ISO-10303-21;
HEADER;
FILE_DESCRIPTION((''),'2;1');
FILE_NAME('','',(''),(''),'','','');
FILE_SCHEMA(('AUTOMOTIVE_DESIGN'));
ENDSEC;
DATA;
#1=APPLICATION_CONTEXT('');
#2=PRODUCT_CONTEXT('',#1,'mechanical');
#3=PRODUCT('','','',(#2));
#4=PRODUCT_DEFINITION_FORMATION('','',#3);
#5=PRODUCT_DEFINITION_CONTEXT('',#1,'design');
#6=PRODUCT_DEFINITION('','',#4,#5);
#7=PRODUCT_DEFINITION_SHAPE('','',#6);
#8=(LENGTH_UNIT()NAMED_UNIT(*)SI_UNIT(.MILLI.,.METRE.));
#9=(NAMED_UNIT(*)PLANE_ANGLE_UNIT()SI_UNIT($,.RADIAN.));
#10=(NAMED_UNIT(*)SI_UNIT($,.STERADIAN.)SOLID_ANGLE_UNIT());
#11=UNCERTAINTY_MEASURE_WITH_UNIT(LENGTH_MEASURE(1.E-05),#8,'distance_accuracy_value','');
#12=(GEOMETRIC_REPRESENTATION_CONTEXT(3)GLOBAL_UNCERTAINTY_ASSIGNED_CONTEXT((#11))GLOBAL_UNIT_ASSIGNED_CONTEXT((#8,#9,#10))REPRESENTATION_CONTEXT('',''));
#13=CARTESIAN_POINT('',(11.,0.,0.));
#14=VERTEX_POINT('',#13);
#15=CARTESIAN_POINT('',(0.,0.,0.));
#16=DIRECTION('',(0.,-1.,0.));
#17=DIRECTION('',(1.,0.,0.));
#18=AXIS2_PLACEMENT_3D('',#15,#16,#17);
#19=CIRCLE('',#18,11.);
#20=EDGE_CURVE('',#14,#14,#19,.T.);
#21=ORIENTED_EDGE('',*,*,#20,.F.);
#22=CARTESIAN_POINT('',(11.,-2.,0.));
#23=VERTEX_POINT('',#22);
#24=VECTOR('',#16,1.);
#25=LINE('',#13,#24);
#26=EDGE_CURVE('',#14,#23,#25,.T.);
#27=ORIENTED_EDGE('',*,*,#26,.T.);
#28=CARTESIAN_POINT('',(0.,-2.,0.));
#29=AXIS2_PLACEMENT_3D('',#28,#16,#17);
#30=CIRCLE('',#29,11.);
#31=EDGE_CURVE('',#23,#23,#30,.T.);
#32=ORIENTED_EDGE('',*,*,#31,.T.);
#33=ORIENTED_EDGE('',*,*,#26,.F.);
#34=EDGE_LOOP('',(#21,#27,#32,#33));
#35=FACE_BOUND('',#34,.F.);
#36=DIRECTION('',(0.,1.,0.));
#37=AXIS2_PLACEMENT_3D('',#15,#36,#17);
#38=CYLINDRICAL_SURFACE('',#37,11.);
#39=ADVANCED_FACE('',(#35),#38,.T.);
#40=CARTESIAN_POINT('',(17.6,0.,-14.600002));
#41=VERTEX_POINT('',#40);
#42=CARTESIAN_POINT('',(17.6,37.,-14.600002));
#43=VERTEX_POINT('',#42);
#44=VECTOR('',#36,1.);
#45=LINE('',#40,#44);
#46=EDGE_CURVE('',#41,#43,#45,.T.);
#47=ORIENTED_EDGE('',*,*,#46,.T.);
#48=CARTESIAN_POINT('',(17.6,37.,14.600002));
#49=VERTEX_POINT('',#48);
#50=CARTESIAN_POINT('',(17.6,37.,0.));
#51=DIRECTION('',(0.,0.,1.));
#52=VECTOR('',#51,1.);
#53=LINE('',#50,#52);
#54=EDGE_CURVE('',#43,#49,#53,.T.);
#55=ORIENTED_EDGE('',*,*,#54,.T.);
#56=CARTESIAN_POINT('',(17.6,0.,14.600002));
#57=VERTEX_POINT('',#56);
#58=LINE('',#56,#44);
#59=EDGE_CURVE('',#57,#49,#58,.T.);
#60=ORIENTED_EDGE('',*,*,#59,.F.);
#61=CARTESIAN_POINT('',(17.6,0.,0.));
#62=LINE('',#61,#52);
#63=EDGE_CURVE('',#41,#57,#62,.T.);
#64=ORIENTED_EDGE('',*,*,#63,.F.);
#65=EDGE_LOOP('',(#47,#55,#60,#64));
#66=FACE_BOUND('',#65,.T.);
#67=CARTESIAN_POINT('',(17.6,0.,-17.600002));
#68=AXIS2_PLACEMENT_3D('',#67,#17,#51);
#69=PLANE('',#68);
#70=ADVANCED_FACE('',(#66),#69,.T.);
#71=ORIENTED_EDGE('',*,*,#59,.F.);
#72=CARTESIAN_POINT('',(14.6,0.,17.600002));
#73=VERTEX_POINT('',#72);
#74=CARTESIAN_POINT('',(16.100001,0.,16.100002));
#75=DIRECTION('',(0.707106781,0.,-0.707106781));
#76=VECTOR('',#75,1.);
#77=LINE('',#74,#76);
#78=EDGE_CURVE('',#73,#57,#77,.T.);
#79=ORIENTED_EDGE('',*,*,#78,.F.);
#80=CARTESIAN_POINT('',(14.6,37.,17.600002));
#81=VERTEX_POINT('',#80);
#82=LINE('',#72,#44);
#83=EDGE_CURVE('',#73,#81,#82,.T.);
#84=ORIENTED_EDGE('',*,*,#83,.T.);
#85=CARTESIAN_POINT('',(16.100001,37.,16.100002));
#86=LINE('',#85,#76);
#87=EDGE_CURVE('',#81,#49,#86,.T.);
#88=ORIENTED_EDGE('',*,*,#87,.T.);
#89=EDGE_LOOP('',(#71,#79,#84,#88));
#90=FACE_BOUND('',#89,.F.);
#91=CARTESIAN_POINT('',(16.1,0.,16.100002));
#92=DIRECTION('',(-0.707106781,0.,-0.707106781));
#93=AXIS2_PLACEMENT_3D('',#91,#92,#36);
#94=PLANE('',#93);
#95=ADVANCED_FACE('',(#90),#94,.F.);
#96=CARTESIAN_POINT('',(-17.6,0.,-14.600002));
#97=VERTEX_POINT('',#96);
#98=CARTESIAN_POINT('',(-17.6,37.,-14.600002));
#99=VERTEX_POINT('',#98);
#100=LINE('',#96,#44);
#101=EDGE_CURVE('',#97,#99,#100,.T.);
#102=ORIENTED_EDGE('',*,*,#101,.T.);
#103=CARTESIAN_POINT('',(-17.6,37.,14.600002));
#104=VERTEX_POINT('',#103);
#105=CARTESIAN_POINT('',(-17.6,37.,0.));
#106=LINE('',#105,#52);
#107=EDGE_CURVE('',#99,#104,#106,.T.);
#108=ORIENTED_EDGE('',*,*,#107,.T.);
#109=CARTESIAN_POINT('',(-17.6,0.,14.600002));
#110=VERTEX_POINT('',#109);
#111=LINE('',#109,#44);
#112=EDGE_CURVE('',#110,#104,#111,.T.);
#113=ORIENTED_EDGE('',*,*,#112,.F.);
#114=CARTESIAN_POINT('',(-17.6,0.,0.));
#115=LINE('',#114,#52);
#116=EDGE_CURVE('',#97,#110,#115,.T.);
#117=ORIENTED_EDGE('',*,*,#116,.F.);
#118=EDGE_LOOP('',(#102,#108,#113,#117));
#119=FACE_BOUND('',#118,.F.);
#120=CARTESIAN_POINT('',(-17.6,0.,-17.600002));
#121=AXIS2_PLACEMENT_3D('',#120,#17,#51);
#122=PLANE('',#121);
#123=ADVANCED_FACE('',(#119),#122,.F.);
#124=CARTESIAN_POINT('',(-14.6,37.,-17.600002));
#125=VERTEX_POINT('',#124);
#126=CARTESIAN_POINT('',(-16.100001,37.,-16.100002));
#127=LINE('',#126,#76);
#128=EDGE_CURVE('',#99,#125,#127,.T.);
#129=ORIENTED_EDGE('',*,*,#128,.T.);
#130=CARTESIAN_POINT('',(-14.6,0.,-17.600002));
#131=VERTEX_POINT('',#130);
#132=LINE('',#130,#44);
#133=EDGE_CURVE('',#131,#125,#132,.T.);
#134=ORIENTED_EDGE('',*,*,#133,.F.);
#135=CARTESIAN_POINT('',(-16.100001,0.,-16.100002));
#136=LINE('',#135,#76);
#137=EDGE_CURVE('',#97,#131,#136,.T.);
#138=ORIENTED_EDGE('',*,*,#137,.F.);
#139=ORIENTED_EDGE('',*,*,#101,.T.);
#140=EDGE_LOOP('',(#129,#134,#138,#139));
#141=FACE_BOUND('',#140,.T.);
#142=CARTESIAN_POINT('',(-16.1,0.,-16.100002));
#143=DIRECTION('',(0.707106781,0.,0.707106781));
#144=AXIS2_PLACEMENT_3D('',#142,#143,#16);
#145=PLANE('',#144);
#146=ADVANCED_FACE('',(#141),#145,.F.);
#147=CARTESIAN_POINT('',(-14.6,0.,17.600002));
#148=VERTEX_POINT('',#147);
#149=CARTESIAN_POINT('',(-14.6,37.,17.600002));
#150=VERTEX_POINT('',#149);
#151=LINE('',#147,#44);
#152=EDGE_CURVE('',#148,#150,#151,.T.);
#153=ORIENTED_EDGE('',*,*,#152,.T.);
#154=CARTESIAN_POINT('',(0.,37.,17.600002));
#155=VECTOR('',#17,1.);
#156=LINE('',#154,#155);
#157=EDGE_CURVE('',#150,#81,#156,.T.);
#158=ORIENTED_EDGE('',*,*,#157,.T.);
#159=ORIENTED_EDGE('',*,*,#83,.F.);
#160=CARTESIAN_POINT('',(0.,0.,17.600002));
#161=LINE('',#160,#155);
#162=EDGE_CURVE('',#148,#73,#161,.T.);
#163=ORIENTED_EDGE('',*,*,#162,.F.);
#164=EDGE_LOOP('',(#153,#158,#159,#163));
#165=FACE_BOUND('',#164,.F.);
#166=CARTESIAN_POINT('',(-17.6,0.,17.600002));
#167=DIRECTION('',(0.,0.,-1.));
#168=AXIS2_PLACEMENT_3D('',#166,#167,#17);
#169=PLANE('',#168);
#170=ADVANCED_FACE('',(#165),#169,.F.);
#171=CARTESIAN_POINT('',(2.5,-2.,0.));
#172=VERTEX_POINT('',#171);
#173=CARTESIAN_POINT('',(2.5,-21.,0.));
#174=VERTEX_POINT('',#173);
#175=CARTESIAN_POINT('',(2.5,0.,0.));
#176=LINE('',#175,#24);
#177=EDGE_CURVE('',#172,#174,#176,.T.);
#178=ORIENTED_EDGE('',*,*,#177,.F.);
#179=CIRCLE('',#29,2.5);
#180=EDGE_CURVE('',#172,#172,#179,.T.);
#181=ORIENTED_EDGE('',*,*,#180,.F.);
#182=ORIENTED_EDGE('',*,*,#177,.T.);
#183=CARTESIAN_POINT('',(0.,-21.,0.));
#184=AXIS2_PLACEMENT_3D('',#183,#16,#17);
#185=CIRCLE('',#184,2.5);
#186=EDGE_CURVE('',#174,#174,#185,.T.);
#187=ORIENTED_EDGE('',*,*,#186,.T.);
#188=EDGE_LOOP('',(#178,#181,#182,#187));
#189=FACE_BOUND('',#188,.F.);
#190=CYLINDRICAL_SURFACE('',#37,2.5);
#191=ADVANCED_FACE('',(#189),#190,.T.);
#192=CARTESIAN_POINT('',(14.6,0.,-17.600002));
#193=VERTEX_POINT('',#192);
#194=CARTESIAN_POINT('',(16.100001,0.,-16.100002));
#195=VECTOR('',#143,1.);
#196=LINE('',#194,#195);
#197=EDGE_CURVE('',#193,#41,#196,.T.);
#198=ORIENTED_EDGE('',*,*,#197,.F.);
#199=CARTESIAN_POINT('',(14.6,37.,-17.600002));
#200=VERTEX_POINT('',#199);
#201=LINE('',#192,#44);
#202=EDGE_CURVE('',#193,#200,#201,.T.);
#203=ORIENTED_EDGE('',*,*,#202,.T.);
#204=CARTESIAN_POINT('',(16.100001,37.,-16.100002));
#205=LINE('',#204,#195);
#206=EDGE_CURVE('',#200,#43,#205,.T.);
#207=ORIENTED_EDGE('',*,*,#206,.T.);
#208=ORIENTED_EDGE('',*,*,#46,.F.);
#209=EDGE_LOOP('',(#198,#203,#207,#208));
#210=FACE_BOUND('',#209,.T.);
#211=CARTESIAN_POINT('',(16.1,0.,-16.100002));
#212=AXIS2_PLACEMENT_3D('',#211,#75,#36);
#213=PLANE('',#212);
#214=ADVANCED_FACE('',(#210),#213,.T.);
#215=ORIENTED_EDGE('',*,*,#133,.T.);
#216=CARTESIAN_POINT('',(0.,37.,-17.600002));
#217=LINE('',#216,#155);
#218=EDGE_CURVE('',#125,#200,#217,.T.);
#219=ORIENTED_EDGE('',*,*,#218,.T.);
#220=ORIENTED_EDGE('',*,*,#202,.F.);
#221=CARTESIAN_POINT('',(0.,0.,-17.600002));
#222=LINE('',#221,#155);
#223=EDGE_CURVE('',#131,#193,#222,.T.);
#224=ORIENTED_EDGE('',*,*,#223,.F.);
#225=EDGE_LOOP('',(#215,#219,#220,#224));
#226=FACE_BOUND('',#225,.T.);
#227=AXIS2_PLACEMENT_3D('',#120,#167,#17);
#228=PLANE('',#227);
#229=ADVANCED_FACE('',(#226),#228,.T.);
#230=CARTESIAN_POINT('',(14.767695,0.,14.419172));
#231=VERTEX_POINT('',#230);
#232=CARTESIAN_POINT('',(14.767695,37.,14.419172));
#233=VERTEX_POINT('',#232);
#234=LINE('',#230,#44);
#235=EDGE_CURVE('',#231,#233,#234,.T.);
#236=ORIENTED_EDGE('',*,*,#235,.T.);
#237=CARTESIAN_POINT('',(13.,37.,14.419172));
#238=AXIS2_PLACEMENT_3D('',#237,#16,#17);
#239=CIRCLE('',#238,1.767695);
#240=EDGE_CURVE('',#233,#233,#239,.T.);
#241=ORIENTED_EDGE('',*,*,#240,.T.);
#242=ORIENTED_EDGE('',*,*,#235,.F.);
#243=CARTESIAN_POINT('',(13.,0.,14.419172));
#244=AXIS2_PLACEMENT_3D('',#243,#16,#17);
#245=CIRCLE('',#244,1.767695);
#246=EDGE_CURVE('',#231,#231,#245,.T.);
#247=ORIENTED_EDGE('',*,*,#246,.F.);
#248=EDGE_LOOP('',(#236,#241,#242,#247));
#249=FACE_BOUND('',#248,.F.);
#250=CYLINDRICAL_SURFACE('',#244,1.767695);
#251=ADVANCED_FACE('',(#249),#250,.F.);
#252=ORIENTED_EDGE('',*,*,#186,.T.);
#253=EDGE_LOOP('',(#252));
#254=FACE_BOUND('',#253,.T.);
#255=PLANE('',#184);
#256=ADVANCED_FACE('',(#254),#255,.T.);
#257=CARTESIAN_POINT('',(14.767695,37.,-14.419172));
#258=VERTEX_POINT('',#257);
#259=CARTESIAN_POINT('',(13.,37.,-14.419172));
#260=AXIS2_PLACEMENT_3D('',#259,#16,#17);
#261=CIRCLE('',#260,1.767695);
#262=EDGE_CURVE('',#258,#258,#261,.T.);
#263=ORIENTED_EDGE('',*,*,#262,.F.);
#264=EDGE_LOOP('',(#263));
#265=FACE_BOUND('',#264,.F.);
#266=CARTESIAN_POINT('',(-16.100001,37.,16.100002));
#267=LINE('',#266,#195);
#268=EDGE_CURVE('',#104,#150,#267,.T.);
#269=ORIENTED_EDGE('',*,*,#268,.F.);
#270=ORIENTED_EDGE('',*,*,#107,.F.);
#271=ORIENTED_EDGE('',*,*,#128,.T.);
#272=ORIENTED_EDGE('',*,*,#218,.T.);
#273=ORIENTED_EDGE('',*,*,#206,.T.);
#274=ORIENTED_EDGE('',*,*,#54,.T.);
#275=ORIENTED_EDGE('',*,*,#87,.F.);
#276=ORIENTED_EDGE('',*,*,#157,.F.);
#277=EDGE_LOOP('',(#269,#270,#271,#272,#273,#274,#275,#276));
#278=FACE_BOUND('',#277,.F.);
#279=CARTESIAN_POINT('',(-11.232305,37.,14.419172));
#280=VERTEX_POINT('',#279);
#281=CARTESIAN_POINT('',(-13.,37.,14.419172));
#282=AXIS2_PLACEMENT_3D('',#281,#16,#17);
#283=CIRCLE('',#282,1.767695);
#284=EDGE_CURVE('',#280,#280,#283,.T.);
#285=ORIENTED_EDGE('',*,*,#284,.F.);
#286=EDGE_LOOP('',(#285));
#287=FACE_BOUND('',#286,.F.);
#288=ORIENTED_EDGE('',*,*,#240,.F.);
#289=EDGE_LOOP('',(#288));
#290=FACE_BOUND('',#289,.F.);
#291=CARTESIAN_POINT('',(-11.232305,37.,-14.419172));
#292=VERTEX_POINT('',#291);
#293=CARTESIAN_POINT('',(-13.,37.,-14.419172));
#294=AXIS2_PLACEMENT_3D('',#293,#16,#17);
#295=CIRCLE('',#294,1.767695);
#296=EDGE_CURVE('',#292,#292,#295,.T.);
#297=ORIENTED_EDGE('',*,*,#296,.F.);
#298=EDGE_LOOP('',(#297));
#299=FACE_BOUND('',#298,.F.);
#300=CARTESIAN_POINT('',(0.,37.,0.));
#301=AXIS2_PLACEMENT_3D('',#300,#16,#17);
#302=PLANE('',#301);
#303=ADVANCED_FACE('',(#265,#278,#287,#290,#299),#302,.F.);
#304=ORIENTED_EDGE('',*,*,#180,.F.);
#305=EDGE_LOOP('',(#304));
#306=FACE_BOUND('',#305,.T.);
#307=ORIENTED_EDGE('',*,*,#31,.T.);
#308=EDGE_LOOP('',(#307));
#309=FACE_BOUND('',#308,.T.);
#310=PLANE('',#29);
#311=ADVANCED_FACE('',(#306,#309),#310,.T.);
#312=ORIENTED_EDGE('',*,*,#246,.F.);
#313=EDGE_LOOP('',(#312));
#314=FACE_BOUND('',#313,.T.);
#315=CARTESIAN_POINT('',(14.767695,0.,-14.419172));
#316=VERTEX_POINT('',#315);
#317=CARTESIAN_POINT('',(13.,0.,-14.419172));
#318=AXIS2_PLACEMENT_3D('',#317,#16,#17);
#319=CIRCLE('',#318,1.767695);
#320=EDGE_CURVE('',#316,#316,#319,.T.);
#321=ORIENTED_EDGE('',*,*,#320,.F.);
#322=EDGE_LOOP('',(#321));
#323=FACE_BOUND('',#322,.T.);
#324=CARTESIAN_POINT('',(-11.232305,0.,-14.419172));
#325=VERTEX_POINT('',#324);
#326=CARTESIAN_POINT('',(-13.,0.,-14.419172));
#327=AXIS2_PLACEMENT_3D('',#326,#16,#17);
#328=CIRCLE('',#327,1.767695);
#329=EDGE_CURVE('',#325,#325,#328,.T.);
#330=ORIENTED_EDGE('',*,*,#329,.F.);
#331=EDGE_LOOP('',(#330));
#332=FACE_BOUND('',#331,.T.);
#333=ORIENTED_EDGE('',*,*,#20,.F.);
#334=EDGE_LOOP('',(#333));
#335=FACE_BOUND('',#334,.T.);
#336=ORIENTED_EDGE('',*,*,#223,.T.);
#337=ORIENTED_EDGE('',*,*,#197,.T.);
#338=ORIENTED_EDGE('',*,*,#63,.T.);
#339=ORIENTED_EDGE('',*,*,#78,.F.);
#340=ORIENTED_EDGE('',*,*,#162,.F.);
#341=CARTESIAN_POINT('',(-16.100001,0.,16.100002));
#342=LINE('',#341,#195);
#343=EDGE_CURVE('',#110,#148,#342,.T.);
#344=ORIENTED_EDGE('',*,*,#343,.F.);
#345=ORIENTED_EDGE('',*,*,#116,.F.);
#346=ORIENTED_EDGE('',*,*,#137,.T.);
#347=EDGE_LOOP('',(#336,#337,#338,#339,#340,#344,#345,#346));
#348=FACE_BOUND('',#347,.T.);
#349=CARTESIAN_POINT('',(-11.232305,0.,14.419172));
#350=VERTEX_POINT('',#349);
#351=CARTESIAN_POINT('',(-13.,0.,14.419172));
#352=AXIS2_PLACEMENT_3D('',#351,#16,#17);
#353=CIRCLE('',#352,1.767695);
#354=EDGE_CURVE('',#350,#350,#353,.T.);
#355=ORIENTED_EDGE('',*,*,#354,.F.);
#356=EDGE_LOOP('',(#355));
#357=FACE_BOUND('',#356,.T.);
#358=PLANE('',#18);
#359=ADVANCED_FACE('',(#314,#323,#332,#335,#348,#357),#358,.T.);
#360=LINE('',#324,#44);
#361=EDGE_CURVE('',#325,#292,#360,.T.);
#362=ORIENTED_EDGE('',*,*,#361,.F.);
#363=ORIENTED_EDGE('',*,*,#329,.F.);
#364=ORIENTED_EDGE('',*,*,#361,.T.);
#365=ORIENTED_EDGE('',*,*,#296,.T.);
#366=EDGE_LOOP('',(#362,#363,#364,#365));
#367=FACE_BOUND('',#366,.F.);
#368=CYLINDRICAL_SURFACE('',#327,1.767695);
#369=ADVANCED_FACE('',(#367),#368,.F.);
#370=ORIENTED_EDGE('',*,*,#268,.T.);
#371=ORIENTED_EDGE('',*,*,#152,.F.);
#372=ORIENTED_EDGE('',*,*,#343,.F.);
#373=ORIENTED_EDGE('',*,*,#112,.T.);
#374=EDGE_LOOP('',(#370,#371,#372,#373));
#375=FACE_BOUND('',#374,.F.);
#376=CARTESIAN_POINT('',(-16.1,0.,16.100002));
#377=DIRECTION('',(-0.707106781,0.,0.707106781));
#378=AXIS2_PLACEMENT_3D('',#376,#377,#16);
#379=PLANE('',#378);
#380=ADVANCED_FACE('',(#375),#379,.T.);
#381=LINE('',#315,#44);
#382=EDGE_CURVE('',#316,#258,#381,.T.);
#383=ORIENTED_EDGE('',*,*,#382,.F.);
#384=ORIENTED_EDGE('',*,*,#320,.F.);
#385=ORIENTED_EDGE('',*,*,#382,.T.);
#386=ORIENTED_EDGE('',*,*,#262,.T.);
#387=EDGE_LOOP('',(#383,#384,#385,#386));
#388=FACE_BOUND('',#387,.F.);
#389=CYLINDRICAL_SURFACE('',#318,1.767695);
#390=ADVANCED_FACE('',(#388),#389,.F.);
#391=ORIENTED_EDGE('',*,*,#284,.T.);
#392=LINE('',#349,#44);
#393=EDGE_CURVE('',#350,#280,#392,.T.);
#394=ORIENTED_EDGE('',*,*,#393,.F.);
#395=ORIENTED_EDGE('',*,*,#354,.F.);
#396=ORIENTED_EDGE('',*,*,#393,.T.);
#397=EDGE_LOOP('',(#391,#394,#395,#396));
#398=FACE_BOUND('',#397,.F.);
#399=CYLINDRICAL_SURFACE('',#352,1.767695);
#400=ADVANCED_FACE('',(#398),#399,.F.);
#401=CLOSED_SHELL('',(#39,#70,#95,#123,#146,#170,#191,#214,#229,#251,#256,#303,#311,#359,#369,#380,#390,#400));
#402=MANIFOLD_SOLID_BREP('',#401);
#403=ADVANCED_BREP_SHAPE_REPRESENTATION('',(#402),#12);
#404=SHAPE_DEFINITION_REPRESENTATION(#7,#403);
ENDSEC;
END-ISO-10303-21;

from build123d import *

# Parameters (mm, degrees)
F0_W     = 35.2
F0_H     = 35.200004
F0_R     = 1.767695
F0_R_2   = 11
F0_R_3   = 2.5
F1_DEPTH = 37
F2_DEPTH = 2
F3_DEPTH = 21
F4_SIZE  = 3


with BuildPart() as f1:
    # F0 (on Front) → F1 (new body)
    with BuildSketch(Plane.XZ):
        Rectangle(F0_W, F0_H)
        with Locations((-13, -14.419172)):
            Circle(F0_R, mode=Mode.SUBTRACT)
        with Locations((13, -14.419172)):
            Circle(F0_R, mode=Mode.SUBTRACT)
        with Locations((-13, 14.419172)):
            Circle(F0_R, mode=Mode.SUBTRACT)
        Circle(F0_R_2, mode=Mode.SUBTRACT)
        with Locations((13, 14.419172)):
            Circle(F0_R, mode=Mode.SUBTRACT)
        Circle(F0_R_2)
        Circle(F0_R_3, mode=Mode.SUBTRACT)
        Circle(F0_R_3)
    extrude(amount=-F1_DEPTH)

    # F0 (on Front) → F2 (join)
    with BuildSketch(Plane.XZ):
        Circle(F0_R_2)
        Circle(F0_R_3, mode=Mode.SUBTRACT)
    extrude(amount=F2_DEPTH)

    # F0 (on Front) → F3 (join)
    with BuildSketch(Plane.XZ):
        Circle(F0_R_3)
    extrude(amount=F3_DEPTH)

    # F4
    f4_edges = [f1.edges().sort_by_distance(p)[0] for p in [
        (17.6, 18.5, 17.600002),
        (-17.6, 18.5, 17.600002),
        (17.6, 18.5, -17.600002),
        (-17.6, 18.5, -17.600002),
    ]]
    chamfer(f4_edges, length=F4_SIZE)


solid = f1.part
